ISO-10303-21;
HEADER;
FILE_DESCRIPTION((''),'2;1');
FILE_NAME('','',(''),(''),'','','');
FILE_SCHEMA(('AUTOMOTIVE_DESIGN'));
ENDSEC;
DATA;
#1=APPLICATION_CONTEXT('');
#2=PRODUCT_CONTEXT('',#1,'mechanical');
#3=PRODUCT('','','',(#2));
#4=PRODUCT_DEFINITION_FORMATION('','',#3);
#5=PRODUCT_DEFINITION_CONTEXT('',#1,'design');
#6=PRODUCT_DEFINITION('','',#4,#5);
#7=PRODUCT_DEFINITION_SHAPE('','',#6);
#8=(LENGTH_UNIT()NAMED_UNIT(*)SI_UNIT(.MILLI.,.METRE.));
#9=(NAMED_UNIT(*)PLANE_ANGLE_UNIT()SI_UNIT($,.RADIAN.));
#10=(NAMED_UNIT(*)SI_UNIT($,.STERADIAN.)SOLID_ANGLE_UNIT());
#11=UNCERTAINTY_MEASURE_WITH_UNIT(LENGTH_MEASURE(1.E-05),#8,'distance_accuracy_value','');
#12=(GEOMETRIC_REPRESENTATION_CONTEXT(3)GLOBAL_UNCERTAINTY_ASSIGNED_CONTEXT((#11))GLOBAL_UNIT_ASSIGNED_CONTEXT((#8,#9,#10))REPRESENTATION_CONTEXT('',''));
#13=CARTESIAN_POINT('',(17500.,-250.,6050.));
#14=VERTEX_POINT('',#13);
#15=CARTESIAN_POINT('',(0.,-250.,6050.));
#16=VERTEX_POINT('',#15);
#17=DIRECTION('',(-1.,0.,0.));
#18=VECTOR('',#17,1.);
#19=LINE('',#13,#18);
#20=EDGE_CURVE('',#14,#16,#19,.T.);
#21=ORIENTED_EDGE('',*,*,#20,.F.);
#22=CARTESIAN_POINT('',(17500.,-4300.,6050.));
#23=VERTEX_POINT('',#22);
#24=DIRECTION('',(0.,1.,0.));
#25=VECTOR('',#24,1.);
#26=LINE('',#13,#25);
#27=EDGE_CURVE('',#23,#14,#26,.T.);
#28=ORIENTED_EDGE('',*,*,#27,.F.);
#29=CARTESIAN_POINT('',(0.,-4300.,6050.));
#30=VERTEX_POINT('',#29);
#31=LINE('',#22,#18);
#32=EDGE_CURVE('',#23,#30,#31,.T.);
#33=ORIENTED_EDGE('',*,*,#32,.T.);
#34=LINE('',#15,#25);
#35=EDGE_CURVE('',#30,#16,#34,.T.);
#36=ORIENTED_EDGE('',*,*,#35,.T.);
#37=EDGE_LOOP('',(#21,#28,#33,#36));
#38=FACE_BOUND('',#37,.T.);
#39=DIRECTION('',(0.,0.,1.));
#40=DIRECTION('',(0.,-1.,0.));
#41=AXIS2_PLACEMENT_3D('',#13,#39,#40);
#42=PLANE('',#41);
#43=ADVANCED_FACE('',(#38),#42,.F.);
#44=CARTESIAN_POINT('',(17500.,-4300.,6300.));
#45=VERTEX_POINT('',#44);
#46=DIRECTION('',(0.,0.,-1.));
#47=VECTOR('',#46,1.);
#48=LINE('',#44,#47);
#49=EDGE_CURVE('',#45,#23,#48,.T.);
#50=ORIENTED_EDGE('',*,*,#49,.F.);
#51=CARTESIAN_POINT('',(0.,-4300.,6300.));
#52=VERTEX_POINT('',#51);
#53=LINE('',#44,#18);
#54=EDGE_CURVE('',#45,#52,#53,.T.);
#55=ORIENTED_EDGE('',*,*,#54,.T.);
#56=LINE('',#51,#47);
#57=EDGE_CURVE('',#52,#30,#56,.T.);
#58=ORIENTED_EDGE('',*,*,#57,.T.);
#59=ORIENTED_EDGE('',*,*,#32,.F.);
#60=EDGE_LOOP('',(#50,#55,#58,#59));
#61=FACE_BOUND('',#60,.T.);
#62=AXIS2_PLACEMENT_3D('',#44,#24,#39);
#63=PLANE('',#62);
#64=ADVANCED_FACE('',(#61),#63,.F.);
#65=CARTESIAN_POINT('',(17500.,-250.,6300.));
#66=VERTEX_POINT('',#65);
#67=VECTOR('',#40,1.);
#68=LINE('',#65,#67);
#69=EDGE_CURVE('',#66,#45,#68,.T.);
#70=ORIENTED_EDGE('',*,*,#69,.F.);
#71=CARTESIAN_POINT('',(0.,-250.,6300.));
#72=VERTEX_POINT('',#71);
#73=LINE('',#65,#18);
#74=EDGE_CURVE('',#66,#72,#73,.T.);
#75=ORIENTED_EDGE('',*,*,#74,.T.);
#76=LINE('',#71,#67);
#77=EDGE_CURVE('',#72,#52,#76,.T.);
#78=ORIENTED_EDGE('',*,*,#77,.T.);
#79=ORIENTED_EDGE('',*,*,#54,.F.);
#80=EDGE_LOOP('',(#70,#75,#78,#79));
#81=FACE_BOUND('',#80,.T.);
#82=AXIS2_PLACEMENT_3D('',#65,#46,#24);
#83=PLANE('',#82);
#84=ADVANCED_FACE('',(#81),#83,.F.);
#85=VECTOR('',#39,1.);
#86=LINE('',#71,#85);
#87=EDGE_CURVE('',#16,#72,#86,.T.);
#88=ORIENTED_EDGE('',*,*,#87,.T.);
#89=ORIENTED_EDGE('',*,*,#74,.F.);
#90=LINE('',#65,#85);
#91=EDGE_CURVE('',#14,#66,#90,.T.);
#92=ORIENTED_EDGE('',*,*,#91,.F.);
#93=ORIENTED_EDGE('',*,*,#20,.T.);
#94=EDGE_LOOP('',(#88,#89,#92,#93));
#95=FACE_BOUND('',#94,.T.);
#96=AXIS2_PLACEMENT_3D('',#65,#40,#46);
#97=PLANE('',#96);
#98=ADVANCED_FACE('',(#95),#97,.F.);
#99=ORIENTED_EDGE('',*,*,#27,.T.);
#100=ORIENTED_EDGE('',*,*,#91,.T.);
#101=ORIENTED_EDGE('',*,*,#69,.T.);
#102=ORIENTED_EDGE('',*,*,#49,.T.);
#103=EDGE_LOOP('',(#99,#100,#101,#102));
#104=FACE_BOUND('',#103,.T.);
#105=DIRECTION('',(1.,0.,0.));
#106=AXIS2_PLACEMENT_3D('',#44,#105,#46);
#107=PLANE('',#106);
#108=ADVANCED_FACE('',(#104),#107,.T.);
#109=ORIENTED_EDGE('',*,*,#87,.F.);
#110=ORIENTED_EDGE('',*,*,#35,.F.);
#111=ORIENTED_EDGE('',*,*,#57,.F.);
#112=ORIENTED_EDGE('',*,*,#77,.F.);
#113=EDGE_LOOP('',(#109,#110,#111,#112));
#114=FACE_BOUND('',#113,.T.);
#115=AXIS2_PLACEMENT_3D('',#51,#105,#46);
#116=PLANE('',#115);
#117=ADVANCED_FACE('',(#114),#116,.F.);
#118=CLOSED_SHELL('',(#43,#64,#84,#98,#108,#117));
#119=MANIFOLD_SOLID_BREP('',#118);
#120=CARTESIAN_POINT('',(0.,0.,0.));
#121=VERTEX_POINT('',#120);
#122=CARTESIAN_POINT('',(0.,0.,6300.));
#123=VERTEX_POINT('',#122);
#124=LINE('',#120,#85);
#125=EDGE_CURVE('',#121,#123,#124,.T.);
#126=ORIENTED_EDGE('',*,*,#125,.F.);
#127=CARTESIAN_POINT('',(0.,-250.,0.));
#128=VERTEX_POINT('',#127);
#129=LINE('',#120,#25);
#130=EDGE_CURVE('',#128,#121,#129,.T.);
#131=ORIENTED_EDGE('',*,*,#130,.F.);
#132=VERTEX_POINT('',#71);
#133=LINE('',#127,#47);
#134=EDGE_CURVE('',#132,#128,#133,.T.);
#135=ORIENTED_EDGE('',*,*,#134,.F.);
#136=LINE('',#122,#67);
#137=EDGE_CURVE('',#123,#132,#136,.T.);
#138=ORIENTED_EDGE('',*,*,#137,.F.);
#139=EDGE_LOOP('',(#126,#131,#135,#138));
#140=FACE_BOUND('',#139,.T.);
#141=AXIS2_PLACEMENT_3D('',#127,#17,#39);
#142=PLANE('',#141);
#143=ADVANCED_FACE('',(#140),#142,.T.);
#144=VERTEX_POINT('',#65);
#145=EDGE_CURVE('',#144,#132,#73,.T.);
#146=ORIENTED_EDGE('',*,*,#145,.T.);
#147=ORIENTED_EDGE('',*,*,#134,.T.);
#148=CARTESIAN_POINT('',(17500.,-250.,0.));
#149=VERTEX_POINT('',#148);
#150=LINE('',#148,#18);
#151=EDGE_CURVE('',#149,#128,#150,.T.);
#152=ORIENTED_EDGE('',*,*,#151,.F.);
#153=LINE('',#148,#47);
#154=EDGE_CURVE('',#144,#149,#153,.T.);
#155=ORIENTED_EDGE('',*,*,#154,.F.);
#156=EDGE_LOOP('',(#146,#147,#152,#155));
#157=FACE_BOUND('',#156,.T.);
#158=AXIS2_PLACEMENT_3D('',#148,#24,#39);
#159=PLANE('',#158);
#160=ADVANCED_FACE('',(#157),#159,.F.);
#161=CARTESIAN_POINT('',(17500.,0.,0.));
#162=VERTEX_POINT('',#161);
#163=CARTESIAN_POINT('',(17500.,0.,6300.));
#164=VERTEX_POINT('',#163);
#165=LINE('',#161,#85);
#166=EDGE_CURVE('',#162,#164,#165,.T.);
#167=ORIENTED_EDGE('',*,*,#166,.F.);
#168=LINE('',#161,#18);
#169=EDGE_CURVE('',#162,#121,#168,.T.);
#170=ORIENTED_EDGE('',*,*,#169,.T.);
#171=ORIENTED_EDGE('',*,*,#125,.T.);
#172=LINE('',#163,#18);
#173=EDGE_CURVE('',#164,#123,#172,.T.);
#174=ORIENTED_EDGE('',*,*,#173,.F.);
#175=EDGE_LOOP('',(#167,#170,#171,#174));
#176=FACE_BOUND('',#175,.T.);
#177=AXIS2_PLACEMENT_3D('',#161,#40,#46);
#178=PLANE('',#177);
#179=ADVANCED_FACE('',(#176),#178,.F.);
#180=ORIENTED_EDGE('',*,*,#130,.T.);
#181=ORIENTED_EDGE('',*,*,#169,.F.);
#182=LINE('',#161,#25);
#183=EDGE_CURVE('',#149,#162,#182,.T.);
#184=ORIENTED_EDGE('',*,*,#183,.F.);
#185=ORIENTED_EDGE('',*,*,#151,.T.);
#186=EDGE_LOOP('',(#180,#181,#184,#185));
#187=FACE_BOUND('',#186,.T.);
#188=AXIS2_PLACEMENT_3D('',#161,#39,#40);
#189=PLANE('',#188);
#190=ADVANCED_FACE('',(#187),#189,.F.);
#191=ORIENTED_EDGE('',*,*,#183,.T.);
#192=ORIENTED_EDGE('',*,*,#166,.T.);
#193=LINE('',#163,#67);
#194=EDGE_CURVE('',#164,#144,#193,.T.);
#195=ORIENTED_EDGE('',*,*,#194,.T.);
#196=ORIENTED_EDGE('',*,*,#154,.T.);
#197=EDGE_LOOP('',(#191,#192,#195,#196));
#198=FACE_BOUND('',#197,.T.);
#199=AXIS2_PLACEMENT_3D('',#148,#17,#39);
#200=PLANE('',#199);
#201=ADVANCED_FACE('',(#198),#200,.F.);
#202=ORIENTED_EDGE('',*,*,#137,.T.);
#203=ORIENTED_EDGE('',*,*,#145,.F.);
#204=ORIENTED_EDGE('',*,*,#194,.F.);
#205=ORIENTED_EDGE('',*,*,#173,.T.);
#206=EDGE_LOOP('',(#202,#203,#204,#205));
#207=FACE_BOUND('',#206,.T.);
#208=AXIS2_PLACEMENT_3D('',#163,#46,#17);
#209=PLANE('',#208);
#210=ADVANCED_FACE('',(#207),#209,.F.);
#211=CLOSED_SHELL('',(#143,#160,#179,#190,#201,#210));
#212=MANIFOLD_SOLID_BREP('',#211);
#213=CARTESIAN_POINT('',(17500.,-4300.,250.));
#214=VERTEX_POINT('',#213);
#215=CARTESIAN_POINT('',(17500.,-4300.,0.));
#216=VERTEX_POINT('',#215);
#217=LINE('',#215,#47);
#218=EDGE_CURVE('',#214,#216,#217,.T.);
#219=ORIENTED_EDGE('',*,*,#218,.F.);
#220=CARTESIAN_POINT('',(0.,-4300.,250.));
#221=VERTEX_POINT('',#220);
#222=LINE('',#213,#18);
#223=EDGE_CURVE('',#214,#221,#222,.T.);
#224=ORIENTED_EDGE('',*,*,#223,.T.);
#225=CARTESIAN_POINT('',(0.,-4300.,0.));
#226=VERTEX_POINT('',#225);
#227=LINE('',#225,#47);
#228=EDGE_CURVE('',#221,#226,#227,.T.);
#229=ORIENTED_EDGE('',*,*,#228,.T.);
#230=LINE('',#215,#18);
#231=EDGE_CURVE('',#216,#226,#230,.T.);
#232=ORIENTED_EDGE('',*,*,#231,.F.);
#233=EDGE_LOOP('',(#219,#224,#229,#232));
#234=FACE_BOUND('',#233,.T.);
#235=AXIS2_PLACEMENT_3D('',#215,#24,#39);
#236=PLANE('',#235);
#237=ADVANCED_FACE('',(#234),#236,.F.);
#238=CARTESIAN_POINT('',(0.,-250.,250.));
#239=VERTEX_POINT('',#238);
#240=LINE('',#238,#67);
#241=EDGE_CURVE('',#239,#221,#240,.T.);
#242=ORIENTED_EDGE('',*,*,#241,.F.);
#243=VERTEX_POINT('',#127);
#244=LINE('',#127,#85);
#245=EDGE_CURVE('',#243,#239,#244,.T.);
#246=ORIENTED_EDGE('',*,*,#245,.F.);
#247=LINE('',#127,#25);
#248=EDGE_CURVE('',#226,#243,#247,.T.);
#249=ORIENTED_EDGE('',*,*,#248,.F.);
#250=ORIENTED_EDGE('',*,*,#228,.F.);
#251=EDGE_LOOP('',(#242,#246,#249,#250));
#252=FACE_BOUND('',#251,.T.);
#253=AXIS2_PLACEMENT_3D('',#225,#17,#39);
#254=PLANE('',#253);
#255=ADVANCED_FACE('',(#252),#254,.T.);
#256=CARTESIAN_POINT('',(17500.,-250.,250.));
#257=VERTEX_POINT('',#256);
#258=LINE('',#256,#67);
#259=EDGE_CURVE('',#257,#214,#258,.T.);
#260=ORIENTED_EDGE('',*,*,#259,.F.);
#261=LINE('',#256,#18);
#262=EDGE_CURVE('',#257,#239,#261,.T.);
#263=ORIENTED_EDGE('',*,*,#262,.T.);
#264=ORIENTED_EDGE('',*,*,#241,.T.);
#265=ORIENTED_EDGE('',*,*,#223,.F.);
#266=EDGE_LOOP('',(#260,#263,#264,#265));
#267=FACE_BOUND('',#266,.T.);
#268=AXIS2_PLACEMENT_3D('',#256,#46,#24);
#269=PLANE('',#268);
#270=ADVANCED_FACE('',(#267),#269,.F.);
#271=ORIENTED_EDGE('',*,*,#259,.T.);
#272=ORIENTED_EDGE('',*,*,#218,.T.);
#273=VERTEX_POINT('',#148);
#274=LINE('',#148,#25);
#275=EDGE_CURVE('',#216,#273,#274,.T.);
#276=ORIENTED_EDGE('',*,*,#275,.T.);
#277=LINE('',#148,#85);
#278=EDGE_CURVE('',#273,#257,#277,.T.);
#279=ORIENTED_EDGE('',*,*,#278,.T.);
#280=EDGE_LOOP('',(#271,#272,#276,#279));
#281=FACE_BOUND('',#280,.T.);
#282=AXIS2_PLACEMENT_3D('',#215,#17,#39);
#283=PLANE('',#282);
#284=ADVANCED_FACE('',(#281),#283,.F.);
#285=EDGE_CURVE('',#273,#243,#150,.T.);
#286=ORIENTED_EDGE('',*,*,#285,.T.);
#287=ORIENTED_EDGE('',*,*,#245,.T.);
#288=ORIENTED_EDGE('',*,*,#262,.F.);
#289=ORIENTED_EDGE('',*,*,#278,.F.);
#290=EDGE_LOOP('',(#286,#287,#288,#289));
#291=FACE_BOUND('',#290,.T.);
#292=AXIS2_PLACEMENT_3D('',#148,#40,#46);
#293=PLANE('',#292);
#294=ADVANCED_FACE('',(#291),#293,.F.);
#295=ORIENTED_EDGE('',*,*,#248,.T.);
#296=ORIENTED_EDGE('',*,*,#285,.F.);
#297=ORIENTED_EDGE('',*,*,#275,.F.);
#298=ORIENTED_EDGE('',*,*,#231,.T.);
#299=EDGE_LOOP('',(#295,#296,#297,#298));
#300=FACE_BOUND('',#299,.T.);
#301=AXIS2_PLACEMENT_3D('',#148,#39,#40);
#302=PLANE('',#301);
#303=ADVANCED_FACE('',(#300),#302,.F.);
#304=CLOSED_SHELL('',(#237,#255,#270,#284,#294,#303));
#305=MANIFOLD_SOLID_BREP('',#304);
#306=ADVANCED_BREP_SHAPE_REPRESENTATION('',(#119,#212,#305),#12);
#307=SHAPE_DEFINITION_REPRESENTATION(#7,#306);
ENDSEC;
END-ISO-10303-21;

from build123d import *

# Parameters (mm, degrees)
SKETCH4_W           = 6300
SKETCH4_H           = 250
BOSS_EXTRUDE4_DEPTH = 17500
SKETCH6_W           = 250
SKETCH6_H           = 4050
BOSS_EXTRUDE5_DEPTH = 17500
SKETCH7_W           = 250
SKETCH7_H           = 4050
BOSS_EXTRUDE6_DEPTH = 17500


with BuildPart() as part:
    # Sketch4 → Boss-Extrude4 (new body)
    with BuildSketch(Plane(origin=(0, 0, 0), x_dir=(0, 0, -1), z_dir=(1, 0, 0))):
        with Locations((-3150, -125)):
            Rectangle(SKETCH4_W, SKETCH4_H)
    extrude(amount=BOSS_EXTRUDE4_DEPTH)


with BuildPart() as body_2:
    # Sketch6 → Boss-Extrude5 (new body)
    with BuildSketch(Plane(origin=(0, 0, 0), x_dir=(0, 0, -1), z_dir=(1, 0, 0))):
        with Locations((-6175, -2275)):
            Rectangle(SKETCH6_W, SKETCH6_H)
    extrude(amount=BOSS_EXTRUDE5_DEPTH)


with BuildPart() as body_3:
    # Sketch7 → Boss-Extrude6 (new body)
    with BuildSketch(Plane(origin=(0, 0, 0), x_dir=(0, 0, -1), z_dir=(1, 0, 0))):
        with Locations((-125, -2275)):
            Rectangle(SKETCH7_W, SKETCH7_H)
    extrude(amount=BOSS_EXTRUDE6_DEPTH)


solid = Compound([part.part, body_2.part, body_3.part])
